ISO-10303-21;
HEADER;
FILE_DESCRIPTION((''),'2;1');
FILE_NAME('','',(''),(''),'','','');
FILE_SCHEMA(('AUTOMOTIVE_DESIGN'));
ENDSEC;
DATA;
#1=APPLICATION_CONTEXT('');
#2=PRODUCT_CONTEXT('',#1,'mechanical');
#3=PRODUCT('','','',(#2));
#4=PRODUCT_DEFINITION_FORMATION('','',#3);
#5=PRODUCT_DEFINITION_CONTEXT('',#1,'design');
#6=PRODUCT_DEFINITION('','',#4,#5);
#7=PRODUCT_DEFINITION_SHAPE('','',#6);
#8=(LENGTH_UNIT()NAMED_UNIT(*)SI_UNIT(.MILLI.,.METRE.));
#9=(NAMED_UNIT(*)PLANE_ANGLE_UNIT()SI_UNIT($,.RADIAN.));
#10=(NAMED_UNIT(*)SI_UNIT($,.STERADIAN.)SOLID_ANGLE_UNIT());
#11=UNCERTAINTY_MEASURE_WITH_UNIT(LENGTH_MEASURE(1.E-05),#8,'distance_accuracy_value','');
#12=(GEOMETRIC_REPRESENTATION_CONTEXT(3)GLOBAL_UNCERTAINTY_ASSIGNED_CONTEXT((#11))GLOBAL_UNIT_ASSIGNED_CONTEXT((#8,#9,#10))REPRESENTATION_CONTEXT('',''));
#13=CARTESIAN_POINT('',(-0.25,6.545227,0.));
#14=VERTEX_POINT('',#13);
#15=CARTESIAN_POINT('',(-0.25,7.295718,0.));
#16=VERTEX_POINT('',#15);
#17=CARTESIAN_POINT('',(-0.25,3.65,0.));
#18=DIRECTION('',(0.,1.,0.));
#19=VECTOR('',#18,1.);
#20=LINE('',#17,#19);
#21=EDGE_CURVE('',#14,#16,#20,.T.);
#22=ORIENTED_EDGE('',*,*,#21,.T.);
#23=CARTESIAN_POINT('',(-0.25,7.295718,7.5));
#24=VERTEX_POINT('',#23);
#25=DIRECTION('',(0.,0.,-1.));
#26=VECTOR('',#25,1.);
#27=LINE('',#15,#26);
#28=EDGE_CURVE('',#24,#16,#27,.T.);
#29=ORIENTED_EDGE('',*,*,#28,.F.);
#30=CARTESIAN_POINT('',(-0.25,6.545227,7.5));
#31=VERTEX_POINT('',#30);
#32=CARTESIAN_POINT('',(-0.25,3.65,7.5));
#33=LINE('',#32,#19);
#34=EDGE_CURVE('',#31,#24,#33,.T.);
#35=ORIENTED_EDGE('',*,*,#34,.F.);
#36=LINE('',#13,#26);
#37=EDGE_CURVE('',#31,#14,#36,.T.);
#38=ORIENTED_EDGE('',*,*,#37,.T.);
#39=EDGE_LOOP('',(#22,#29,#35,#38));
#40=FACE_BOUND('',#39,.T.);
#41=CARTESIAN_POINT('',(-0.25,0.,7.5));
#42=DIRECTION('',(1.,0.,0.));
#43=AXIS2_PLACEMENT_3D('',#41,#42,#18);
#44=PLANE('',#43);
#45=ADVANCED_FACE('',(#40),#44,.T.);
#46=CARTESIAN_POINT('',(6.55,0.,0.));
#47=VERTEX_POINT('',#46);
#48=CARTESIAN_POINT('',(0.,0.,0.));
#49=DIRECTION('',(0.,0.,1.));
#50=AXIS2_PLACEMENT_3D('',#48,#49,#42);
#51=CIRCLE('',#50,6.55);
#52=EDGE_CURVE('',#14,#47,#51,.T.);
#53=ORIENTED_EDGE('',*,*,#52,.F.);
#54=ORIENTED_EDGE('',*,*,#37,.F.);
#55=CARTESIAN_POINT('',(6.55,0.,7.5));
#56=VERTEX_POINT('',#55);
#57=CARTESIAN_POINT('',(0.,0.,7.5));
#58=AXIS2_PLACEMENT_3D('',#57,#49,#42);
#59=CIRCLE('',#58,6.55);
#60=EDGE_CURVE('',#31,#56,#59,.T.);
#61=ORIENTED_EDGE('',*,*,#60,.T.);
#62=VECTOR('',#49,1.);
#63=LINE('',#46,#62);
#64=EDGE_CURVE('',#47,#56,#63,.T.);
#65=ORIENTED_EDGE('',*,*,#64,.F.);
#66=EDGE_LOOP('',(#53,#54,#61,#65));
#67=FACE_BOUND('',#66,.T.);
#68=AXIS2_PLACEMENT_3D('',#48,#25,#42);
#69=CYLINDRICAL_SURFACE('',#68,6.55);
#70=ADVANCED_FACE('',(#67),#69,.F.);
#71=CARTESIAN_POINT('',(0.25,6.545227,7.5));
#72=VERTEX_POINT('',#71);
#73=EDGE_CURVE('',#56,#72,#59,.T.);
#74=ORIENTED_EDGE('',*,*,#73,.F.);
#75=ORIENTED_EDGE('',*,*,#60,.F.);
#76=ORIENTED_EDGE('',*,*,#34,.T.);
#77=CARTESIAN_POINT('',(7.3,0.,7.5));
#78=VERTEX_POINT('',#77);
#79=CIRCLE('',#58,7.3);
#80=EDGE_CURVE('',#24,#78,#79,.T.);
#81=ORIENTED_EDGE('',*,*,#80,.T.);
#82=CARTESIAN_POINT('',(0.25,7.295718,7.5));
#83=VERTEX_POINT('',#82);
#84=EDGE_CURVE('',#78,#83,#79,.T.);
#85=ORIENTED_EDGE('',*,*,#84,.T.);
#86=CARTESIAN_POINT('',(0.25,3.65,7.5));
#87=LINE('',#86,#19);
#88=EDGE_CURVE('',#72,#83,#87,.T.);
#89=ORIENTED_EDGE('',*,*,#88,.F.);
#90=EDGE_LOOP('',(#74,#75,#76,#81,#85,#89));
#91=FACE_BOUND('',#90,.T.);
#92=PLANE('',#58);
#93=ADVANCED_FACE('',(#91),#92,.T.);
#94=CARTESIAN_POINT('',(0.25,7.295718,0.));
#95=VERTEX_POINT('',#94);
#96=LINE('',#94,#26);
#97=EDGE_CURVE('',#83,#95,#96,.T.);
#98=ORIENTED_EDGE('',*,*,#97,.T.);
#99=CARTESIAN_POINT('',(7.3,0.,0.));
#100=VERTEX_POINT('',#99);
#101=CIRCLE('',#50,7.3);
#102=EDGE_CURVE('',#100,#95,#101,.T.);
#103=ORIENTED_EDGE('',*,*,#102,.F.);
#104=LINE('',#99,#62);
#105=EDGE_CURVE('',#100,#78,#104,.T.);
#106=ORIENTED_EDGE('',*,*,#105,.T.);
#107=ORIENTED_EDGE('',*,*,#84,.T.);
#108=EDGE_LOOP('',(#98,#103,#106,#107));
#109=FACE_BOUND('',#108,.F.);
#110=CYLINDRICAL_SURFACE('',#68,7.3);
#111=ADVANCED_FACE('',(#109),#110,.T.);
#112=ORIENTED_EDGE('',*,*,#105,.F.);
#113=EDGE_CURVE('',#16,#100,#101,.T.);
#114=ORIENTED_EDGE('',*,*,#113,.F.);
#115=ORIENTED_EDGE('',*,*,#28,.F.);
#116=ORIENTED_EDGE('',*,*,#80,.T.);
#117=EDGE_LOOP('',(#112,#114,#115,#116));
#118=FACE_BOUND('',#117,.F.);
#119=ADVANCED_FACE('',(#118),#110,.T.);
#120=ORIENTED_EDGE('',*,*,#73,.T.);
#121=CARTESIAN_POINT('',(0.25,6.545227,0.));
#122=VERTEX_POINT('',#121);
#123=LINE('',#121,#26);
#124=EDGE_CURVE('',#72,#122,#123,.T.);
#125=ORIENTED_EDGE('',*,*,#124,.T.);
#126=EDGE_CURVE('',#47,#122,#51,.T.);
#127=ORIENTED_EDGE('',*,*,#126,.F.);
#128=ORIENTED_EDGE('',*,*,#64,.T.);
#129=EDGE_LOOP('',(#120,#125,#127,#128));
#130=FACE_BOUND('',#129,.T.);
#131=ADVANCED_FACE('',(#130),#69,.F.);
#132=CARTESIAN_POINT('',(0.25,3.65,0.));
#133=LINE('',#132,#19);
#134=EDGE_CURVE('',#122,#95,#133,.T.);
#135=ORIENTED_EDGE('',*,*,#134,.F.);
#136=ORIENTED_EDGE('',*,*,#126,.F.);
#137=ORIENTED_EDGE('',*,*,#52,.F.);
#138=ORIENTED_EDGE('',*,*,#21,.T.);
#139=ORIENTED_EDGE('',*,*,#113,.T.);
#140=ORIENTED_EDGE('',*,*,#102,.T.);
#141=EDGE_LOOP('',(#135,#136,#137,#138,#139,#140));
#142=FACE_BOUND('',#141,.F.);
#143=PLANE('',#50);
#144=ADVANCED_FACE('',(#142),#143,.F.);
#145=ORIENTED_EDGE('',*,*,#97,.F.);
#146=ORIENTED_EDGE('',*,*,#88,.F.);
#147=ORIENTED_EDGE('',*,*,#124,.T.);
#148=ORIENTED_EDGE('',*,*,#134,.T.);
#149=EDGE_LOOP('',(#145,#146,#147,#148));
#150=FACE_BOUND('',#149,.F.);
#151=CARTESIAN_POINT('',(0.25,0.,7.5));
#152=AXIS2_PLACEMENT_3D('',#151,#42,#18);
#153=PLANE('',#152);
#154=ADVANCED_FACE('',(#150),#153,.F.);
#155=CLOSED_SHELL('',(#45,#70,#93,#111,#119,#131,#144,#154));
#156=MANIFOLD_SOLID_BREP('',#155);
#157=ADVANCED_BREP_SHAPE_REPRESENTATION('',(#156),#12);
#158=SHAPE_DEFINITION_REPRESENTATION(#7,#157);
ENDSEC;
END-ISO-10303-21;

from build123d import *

# Parameters (mm, degrees)
SKETCH_R     = 7.3
SKETCH_R_2   = 6.55
PAD_DEPTH    = 7.5
SKETCH001_W  = 0.5
SKETCH001_H  = 7.3
POCKET_DEPTH = 7.5


with BuildPart() as part:
    # Sketch → Pad (new body)
    with BuildSketch(Plane.XY):
        Circle(SKETCH_R)
        Circle(SKETCH_R_2, mode=Mode.SUBTRACT)
    extrude(amount=PAD_DEPTH)

    # Sketch001 (on Face4 of Pad) → Pocket (cut)
    with BuildSketch(Plane.XY.offset(7.5)):
        with Locations((0, 3.65)):
            Rectangle(SKETCH001_W, SKETCH001_H)
    extrude(amount=-POCKET_DEPTH, mode=Mode.SUBTRACT)


solid = part.part
